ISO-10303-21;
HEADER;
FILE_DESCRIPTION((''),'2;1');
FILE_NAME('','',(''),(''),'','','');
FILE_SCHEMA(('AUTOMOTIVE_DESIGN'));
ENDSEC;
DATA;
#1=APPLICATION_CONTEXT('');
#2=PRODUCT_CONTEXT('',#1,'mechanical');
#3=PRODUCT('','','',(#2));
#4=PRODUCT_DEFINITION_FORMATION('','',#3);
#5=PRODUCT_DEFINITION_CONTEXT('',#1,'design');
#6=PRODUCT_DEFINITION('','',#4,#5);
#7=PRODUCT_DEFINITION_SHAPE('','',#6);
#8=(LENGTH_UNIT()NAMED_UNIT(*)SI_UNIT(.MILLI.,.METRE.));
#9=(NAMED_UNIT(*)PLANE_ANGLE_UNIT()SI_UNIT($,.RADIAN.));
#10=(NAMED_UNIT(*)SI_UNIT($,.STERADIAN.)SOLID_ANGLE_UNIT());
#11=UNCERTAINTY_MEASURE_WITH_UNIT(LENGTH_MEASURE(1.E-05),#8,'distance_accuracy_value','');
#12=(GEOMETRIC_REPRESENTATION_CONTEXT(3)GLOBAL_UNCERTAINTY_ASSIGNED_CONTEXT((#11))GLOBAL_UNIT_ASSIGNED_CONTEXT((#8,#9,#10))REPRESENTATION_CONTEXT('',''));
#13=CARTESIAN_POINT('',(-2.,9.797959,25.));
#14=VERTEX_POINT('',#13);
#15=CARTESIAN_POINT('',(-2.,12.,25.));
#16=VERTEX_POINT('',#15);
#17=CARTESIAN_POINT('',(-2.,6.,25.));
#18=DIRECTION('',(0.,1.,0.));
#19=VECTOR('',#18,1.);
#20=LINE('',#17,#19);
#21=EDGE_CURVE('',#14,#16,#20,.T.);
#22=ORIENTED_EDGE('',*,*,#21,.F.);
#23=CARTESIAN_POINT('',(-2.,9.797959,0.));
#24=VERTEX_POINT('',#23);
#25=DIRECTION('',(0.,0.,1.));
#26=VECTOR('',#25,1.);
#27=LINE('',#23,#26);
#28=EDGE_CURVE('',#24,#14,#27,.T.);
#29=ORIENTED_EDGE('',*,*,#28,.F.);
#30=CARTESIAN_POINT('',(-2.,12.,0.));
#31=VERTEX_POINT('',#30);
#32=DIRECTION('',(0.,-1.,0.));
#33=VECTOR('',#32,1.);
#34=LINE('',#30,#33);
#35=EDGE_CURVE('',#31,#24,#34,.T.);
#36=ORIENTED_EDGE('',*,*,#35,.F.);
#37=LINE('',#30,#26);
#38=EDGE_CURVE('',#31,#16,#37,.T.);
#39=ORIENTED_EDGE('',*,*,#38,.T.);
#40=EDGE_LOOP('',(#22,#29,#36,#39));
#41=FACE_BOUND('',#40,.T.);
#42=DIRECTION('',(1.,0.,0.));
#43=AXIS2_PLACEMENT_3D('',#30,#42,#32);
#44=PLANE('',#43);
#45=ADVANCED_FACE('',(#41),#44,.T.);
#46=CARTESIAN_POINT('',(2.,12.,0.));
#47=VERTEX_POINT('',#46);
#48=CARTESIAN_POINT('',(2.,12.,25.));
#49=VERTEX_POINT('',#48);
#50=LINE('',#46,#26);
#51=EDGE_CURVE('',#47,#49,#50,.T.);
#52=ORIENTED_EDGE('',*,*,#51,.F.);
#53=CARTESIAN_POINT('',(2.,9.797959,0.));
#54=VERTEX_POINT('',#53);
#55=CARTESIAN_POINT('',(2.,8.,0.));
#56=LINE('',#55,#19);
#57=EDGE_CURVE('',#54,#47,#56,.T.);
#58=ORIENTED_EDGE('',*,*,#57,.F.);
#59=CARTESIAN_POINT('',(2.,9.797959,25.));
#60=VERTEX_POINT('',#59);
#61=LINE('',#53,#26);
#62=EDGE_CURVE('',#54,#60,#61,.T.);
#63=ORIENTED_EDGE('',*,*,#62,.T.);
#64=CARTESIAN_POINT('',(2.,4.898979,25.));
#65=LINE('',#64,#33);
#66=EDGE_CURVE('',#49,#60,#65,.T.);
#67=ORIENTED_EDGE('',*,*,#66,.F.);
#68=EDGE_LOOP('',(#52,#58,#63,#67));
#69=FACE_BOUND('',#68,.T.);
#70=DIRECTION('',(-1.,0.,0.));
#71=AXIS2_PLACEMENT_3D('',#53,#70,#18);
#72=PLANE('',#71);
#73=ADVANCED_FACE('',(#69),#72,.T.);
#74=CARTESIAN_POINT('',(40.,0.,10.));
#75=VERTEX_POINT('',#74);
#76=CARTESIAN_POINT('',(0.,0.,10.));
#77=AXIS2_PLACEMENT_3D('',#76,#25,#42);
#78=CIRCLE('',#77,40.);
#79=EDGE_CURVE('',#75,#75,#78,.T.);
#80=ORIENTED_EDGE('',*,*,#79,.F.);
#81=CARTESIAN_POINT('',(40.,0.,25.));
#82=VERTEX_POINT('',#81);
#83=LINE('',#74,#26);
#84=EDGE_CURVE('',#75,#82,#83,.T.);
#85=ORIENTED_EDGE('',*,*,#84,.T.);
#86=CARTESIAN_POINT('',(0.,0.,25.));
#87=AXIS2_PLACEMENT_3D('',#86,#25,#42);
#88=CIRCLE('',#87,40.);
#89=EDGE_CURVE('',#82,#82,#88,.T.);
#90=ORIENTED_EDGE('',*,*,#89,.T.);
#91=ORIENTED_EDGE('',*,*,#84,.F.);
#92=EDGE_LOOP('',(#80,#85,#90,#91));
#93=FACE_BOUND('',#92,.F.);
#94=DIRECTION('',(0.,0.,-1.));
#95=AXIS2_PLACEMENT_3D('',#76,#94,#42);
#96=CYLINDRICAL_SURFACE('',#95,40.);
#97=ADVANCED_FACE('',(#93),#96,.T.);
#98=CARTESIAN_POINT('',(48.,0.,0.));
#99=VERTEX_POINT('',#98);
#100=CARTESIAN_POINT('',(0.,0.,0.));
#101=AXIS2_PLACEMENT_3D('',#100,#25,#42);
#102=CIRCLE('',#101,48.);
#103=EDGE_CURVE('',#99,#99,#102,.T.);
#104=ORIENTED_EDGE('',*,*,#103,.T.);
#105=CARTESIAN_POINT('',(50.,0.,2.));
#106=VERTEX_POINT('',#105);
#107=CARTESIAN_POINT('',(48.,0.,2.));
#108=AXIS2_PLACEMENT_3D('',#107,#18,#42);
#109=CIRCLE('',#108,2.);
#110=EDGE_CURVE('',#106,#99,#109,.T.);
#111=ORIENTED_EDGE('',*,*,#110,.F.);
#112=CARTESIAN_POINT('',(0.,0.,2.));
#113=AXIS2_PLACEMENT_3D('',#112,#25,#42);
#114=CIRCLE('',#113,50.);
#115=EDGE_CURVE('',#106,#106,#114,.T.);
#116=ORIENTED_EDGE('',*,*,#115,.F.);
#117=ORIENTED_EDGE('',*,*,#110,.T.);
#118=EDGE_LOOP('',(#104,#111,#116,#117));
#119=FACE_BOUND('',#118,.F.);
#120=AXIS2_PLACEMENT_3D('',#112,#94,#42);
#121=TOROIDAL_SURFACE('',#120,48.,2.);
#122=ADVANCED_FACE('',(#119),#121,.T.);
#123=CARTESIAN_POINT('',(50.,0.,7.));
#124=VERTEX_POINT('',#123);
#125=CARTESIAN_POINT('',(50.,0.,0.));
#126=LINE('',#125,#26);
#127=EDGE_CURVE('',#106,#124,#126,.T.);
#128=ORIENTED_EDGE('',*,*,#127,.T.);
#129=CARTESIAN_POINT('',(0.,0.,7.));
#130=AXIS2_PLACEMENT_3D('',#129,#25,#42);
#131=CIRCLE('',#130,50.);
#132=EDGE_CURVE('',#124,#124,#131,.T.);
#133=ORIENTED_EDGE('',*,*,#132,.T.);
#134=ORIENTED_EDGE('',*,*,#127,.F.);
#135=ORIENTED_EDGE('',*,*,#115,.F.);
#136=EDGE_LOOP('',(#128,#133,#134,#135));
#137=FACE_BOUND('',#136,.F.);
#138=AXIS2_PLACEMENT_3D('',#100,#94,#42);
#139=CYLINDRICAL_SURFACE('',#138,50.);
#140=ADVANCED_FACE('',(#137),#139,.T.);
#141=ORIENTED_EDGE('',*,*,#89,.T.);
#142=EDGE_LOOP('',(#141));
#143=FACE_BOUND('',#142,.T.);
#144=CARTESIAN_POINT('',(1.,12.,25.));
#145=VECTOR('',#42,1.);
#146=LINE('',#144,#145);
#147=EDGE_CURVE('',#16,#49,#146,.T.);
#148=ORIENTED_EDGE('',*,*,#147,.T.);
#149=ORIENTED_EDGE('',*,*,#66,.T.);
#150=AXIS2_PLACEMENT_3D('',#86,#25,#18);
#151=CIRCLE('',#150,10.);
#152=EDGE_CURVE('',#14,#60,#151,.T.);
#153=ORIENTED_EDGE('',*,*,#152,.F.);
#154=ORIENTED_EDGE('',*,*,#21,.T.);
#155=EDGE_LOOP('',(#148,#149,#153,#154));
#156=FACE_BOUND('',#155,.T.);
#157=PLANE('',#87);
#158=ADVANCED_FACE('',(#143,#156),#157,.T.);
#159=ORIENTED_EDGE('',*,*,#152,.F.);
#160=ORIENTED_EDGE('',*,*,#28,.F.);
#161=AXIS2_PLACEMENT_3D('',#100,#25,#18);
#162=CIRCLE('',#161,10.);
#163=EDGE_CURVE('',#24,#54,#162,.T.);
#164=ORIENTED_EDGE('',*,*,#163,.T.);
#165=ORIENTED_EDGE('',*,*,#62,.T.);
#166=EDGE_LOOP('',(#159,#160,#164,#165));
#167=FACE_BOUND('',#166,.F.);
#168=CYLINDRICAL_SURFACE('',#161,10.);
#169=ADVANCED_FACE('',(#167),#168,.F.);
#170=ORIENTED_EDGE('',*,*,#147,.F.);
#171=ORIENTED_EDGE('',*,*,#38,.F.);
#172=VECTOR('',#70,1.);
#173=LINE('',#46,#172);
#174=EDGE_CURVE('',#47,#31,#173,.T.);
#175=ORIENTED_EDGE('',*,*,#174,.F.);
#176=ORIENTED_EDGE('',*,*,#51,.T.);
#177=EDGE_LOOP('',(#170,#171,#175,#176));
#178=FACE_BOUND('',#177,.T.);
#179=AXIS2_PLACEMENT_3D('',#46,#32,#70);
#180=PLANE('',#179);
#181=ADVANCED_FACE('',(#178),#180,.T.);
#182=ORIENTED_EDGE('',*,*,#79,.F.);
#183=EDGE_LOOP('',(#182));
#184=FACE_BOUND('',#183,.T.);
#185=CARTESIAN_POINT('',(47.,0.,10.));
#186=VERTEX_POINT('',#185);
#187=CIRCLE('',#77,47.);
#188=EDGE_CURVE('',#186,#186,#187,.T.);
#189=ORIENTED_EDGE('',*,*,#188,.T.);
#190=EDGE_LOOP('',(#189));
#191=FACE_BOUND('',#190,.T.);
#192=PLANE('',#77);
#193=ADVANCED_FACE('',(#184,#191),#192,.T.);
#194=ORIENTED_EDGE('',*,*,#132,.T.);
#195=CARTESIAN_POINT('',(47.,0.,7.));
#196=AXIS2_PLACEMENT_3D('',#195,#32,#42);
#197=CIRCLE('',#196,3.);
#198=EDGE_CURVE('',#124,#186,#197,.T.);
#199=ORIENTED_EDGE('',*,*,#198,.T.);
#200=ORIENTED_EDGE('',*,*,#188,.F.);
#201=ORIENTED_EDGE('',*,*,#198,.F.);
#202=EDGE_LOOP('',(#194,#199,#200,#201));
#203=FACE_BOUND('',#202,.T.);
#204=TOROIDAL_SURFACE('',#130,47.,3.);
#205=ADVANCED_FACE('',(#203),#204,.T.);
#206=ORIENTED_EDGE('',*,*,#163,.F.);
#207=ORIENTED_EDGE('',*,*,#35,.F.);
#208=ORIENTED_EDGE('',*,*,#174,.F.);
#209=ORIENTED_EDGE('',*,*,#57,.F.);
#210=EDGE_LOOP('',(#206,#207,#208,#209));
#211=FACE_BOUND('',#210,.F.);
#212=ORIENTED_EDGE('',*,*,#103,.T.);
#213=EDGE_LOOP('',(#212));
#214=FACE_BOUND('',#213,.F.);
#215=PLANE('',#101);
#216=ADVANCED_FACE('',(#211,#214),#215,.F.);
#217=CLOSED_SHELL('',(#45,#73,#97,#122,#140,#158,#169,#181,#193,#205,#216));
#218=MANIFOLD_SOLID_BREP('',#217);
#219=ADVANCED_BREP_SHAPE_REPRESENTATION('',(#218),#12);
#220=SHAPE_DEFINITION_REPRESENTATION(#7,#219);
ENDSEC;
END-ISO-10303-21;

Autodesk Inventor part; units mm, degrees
ref_plane "YZ Plane" through (0, 0, 0) normal (1, 0, 0) x (0, 1, 0)
ref_plane "XZ Plane" through (0, 0, 0) normal (0, 1, 0) x (-1, 0, 0)
ref_plane "XY Plane" through (0, 0, 0) normal (0, 0, 1) x (1, 0, 0)
sketch "Sketch1" plane through (0, 0, 0) normal (0, 0, 1) x (1, 0, 0)
  circle A0 centre (0, 0) radius 50
  dimension "d0" = 100
extrude "Extrusion1" add sketch "Sketch1" along normal blind 10
sketch "Sketch2" plane through (0, 0, 10) normal (0, 0, 1) x (1, 0, 0)
  circle A0 centre (0, 0) radius 40
  dimension "d3" = 80
extrude "Extrusion2" add sketch "Sketch2" along normal blind 15
fillet "Fillet1" radius 3 1 edges at (-50, 0, 10)
sketch "Sketch3" plane through (0, 0, 0) normal (0, 0, -1) x (-1, 0, 0)
  point P0 (0, 0)
  point P1 (0, 0)
hole "Hole1" at (0, 0, 0) direction (0, 0, 1) diameter 20 end through all
fillet "Fillet2" radius 2 1 edges at (-50, 0, 0)
sketch "Sketch5" plane through (0, 0, 0) normal (0, 0, -1) x (-1, 0, 0)
  circle A0 centre (0, 0) radius 10 projected
  line L0 (-2, 12) -> (2, 12)
  line L1 (2, 12) -> (2, 8)
  line L2 (2, 8) -> (-2, 8)
  line L3 (-2, 8) -> (-2, 12)
  point P0 (-2, 10)
  point P1 (-2, 9.798)
  point P2 (2, 9.798)
  dimension "d19" = 4
  dimension "d20" = 4
  dimension "d21" = 2
  dimension "d22" = 12
extrude "Extrusion4" cut sketch "Sketch5" against normal through all contours A0 L3 L0 L1
properties part number "P204" material "Aluminum 6061"
